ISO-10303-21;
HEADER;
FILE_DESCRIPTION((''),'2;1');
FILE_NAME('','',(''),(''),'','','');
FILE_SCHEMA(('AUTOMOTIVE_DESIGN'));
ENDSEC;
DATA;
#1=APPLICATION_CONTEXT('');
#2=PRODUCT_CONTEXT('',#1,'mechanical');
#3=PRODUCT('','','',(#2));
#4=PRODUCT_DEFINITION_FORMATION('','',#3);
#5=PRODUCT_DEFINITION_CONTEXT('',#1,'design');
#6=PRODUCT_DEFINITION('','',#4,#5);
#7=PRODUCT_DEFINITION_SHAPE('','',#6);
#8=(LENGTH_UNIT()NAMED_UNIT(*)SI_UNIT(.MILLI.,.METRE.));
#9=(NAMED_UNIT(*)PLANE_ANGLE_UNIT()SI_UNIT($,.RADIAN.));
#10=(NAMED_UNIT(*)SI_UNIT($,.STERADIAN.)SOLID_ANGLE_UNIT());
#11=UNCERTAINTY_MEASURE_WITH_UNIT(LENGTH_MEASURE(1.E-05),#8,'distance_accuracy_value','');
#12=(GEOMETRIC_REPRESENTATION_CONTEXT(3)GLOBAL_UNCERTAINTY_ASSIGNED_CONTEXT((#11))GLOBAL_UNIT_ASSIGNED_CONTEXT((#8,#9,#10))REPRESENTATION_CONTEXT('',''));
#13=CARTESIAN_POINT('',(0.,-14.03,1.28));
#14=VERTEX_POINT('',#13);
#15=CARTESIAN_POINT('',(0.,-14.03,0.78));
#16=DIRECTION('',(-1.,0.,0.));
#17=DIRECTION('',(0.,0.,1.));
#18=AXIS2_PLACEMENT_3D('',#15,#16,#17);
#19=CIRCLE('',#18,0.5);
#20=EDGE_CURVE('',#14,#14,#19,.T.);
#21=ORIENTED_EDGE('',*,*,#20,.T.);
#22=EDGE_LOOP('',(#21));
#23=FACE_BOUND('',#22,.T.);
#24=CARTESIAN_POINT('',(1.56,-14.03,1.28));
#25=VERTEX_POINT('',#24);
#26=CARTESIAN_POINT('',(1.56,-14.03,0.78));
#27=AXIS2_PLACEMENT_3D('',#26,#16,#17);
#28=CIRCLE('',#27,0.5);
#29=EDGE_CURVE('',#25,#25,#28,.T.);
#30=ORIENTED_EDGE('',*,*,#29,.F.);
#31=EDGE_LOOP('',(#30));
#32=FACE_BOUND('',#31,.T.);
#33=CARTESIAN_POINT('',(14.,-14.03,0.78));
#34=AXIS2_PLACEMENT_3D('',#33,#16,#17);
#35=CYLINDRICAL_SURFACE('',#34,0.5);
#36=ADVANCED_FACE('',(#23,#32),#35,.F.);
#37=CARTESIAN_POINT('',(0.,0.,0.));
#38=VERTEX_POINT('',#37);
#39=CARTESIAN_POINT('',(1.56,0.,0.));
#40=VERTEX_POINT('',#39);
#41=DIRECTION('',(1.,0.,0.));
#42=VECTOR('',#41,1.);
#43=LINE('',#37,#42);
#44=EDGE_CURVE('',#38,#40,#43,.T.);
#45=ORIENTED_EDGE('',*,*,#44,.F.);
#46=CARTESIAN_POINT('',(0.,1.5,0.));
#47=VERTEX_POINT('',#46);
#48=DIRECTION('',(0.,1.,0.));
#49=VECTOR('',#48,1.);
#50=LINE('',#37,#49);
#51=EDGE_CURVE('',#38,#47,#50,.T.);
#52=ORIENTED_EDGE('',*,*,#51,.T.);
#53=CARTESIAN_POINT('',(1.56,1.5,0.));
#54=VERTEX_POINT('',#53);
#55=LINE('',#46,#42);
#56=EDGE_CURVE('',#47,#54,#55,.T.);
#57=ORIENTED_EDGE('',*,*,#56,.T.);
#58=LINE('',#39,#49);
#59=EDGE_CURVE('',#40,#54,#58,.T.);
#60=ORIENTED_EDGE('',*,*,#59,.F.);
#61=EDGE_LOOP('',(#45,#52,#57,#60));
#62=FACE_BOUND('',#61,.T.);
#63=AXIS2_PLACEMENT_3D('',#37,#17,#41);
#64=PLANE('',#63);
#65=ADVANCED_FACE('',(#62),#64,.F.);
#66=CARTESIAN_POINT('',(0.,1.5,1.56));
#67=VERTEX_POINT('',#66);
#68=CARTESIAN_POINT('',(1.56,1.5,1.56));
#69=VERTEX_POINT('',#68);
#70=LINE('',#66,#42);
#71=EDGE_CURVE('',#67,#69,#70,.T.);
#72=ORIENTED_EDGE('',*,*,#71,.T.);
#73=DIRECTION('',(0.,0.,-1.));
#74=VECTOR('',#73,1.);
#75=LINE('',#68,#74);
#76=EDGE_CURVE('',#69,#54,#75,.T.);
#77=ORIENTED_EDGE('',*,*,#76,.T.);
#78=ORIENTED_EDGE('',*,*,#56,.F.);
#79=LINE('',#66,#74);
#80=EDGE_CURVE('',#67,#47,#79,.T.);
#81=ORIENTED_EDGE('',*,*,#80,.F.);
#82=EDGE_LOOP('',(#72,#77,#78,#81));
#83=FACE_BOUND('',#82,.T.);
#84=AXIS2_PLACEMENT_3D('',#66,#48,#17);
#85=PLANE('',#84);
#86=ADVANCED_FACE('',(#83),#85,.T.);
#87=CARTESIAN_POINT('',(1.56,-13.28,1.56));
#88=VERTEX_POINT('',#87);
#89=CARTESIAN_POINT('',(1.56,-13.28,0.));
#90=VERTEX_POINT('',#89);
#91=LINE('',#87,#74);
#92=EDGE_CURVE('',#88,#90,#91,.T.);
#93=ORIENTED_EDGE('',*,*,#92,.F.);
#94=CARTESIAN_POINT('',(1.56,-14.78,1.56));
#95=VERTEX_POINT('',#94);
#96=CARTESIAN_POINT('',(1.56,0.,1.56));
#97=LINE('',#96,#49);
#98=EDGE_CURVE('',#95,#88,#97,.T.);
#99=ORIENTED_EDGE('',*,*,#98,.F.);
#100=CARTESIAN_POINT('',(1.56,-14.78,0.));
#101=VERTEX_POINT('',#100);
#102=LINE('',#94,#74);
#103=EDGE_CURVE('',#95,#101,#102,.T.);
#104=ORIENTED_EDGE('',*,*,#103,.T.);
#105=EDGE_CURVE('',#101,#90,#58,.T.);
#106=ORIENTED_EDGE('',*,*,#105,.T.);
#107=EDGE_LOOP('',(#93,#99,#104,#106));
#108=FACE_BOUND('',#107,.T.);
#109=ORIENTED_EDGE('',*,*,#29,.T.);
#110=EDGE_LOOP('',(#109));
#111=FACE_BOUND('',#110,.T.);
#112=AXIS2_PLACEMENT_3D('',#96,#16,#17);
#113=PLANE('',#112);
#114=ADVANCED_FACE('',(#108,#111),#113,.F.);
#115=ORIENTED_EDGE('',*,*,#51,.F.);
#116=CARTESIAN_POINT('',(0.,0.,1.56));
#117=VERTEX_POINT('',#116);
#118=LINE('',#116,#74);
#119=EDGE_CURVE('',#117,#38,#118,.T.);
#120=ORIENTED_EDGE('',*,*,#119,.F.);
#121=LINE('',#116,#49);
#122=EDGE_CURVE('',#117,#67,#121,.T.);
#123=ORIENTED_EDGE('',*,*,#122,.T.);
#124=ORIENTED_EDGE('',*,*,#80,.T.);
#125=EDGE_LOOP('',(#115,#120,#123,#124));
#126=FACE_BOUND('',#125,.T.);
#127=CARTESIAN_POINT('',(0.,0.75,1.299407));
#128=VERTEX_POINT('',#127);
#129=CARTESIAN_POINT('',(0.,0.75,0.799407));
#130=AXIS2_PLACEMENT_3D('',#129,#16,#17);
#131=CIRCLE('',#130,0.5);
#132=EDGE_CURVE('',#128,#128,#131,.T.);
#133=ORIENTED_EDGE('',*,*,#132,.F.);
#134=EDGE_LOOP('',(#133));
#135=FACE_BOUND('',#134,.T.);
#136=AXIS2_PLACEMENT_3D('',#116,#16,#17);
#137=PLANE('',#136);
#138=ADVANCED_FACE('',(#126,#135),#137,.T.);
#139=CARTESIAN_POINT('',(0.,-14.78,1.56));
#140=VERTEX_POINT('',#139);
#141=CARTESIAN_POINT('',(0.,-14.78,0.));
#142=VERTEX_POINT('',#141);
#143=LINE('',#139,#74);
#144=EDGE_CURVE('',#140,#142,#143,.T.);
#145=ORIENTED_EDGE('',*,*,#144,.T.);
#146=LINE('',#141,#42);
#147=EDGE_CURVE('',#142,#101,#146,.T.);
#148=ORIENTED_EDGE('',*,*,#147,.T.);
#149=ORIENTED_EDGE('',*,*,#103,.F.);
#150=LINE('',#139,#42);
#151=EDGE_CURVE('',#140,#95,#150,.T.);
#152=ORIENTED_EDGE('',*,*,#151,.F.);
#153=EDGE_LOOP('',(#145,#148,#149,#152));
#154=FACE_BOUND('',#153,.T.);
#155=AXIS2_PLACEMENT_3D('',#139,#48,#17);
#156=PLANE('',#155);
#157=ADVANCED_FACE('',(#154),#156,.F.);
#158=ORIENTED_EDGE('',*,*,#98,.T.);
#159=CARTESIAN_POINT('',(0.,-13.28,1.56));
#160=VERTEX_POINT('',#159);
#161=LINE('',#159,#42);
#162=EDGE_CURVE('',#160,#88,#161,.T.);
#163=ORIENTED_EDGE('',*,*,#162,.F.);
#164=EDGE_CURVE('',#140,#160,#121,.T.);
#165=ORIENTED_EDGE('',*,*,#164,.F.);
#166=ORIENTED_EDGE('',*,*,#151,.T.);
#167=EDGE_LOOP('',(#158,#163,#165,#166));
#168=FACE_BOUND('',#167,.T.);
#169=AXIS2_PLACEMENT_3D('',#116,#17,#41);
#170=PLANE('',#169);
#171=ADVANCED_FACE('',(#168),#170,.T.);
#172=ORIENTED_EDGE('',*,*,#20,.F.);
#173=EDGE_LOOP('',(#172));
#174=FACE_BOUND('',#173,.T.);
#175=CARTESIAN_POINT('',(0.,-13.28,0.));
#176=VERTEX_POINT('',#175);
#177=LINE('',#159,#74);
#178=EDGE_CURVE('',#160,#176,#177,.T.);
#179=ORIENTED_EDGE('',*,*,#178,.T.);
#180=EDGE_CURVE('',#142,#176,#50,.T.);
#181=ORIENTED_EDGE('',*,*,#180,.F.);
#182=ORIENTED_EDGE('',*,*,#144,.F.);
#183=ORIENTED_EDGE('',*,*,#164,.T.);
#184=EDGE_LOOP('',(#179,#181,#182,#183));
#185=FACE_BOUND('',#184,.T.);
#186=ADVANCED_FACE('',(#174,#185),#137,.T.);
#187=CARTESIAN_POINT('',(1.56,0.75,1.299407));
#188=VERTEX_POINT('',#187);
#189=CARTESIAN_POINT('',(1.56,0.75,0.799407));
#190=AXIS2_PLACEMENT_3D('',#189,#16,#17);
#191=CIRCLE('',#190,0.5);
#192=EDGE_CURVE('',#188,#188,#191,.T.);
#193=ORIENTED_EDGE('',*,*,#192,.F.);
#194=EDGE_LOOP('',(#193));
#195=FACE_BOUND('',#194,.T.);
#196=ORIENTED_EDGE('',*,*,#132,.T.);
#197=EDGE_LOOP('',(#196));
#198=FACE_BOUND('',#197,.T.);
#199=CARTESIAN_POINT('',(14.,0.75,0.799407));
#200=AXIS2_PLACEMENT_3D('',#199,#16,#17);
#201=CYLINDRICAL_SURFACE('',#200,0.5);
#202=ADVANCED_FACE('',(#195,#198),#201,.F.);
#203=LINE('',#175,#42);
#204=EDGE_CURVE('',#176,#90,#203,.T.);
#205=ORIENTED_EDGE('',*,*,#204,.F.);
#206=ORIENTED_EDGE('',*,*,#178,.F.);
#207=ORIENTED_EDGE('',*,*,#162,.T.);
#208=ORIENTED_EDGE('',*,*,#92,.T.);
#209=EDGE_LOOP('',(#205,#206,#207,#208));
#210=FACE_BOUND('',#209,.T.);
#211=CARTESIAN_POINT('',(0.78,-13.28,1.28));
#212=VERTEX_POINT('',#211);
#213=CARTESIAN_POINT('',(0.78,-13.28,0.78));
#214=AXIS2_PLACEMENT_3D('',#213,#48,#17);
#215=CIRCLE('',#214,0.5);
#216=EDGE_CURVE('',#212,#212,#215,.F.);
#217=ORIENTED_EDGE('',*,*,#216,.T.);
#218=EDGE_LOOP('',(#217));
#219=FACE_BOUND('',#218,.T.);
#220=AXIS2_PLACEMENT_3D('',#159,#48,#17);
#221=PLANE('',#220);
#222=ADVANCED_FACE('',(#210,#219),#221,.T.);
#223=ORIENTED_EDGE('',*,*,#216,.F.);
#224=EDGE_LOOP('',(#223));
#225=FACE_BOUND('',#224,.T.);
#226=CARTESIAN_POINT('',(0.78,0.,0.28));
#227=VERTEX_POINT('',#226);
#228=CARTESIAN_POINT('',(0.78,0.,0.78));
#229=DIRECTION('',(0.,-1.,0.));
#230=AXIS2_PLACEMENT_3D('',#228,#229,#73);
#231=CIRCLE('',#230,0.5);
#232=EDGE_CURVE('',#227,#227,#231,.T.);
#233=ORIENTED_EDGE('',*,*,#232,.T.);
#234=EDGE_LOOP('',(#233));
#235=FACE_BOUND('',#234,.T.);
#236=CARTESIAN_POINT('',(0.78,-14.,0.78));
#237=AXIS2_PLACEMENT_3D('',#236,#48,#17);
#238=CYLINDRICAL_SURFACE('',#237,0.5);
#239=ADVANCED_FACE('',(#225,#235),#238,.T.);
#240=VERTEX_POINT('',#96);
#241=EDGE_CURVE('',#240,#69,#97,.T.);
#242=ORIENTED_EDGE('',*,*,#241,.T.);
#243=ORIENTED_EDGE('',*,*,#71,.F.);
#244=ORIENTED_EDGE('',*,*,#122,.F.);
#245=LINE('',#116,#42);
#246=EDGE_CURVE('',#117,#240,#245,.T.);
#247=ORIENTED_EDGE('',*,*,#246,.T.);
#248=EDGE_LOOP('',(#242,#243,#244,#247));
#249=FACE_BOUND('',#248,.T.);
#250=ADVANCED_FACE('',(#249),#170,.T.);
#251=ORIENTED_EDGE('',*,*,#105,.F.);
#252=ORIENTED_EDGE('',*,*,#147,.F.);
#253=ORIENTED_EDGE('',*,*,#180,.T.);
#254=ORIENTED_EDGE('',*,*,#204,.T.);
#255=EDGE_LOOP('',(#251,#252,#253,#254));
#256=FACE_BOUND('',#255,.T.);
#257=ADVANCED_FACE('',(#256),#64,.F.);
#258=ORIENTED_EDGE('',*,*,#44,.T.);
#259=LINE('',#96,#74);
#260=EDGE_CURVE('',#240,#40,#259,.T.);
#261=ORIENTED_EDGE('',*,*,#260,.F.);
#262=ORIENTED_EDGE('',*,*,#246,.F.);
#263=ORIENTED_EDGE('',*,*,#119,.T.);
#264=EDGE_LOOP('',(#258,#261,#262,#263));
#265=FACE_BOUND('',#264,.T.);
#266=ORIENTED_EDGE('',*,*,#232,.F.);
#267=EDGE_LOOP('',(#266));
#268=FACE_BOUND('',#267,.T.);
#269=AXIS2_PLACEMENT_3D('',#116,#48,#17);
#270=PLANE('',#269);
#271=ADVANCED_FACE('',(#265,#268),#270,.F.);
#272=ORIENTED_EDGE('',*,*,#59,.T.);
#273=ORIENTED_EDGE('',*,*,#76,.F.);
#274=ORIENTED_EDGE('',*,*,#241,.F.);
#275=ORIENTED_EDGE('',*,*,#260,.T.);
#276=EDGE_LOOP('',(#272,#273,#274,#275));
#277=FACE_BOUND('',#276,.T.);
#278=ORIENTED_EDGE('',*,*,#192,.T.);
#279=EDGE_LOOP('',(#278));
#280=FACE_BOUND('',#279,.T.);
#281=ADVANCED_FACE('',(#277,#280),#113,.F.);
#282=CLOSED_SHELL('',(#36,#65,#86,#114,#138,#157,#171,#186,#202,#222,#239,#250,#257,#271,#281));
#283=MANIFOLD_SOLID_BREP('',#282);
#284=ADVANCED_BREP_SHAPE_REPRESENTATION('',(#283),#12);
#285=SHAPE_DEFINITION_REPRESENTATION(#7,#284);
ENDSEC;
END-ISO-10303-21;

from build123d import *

# Parameters (mm, degrees)
SKETCH2_W           = 0.78
SKETCH2_H           = 1.5
SKETCH2_H_2         = 0.75
BOSS_EXTRUDE1_DEPTH = 1.56
SKETCH3_R           = 0.5
BOSS_EXTRUDE2_DEPTH = 14
SKETCH4_R           = 0.5
CUT_EXTRUDE1_DEPTH  = 14
SKETCH5_R           = 0.5
CUT_EXTRUDE2_DEPTH  = 14


with BuildPart() as part:
    # Sketch2 → Boss-Extrude1 (new body)
    with BuildSketch(Plane.XY):
        with Locations((0.39, -14.03)):
            Rectangle(SKETCH2_W, SKETCH2_H)
        with Locations((1.17, -14.03)):
            Rectangle(SKETCH2_W, SKETCH2_H)
        Polygon((0, 1.5), (0, 0.75), (0.78, 0.75), (0.78, 0), (1.56, 0), (1.56, 1.5), align=None)
        with Locations((0.39, 0.375)):
            Rectangle(SKETCH2_W, SKETCH2_H_2)
    extrude(amount=BOSS_EXTRUDE1_DEPTH)

    # Sketch3 → Boss-Extrude2 (add)
    with BuildSketch(Plane.XZ):
        with Locations(Location((0.78, 0.78, 0), (0, 0, 90))):
            Circle(SKETCH3_R)
    extrude(amount=BOSS_EXTRUDE2_DEPTH)

    # Sketch4 → Cut-Extrude1 (cut)
    with BuildSketch(Plane.ZY):
        with Locations((0.799406884, 0.75)):
            Circle(SKETCH4_R)
    extrude(amount=-CUT_EXTRUDE1_DEPTH, mode=Mode.SUBTRACT)

    # Sketch5 → Cut-Extrude2 (cut)
    with BuildSketch(Plane.ZY):
        with Locations((0.78, -14.03)):
            Circle(SKETCH5_R)
    extrude(amount=-CUT_EXTRUDE2_DEPTH, mode=Mode.SUBTRACT)


solid = part.part
